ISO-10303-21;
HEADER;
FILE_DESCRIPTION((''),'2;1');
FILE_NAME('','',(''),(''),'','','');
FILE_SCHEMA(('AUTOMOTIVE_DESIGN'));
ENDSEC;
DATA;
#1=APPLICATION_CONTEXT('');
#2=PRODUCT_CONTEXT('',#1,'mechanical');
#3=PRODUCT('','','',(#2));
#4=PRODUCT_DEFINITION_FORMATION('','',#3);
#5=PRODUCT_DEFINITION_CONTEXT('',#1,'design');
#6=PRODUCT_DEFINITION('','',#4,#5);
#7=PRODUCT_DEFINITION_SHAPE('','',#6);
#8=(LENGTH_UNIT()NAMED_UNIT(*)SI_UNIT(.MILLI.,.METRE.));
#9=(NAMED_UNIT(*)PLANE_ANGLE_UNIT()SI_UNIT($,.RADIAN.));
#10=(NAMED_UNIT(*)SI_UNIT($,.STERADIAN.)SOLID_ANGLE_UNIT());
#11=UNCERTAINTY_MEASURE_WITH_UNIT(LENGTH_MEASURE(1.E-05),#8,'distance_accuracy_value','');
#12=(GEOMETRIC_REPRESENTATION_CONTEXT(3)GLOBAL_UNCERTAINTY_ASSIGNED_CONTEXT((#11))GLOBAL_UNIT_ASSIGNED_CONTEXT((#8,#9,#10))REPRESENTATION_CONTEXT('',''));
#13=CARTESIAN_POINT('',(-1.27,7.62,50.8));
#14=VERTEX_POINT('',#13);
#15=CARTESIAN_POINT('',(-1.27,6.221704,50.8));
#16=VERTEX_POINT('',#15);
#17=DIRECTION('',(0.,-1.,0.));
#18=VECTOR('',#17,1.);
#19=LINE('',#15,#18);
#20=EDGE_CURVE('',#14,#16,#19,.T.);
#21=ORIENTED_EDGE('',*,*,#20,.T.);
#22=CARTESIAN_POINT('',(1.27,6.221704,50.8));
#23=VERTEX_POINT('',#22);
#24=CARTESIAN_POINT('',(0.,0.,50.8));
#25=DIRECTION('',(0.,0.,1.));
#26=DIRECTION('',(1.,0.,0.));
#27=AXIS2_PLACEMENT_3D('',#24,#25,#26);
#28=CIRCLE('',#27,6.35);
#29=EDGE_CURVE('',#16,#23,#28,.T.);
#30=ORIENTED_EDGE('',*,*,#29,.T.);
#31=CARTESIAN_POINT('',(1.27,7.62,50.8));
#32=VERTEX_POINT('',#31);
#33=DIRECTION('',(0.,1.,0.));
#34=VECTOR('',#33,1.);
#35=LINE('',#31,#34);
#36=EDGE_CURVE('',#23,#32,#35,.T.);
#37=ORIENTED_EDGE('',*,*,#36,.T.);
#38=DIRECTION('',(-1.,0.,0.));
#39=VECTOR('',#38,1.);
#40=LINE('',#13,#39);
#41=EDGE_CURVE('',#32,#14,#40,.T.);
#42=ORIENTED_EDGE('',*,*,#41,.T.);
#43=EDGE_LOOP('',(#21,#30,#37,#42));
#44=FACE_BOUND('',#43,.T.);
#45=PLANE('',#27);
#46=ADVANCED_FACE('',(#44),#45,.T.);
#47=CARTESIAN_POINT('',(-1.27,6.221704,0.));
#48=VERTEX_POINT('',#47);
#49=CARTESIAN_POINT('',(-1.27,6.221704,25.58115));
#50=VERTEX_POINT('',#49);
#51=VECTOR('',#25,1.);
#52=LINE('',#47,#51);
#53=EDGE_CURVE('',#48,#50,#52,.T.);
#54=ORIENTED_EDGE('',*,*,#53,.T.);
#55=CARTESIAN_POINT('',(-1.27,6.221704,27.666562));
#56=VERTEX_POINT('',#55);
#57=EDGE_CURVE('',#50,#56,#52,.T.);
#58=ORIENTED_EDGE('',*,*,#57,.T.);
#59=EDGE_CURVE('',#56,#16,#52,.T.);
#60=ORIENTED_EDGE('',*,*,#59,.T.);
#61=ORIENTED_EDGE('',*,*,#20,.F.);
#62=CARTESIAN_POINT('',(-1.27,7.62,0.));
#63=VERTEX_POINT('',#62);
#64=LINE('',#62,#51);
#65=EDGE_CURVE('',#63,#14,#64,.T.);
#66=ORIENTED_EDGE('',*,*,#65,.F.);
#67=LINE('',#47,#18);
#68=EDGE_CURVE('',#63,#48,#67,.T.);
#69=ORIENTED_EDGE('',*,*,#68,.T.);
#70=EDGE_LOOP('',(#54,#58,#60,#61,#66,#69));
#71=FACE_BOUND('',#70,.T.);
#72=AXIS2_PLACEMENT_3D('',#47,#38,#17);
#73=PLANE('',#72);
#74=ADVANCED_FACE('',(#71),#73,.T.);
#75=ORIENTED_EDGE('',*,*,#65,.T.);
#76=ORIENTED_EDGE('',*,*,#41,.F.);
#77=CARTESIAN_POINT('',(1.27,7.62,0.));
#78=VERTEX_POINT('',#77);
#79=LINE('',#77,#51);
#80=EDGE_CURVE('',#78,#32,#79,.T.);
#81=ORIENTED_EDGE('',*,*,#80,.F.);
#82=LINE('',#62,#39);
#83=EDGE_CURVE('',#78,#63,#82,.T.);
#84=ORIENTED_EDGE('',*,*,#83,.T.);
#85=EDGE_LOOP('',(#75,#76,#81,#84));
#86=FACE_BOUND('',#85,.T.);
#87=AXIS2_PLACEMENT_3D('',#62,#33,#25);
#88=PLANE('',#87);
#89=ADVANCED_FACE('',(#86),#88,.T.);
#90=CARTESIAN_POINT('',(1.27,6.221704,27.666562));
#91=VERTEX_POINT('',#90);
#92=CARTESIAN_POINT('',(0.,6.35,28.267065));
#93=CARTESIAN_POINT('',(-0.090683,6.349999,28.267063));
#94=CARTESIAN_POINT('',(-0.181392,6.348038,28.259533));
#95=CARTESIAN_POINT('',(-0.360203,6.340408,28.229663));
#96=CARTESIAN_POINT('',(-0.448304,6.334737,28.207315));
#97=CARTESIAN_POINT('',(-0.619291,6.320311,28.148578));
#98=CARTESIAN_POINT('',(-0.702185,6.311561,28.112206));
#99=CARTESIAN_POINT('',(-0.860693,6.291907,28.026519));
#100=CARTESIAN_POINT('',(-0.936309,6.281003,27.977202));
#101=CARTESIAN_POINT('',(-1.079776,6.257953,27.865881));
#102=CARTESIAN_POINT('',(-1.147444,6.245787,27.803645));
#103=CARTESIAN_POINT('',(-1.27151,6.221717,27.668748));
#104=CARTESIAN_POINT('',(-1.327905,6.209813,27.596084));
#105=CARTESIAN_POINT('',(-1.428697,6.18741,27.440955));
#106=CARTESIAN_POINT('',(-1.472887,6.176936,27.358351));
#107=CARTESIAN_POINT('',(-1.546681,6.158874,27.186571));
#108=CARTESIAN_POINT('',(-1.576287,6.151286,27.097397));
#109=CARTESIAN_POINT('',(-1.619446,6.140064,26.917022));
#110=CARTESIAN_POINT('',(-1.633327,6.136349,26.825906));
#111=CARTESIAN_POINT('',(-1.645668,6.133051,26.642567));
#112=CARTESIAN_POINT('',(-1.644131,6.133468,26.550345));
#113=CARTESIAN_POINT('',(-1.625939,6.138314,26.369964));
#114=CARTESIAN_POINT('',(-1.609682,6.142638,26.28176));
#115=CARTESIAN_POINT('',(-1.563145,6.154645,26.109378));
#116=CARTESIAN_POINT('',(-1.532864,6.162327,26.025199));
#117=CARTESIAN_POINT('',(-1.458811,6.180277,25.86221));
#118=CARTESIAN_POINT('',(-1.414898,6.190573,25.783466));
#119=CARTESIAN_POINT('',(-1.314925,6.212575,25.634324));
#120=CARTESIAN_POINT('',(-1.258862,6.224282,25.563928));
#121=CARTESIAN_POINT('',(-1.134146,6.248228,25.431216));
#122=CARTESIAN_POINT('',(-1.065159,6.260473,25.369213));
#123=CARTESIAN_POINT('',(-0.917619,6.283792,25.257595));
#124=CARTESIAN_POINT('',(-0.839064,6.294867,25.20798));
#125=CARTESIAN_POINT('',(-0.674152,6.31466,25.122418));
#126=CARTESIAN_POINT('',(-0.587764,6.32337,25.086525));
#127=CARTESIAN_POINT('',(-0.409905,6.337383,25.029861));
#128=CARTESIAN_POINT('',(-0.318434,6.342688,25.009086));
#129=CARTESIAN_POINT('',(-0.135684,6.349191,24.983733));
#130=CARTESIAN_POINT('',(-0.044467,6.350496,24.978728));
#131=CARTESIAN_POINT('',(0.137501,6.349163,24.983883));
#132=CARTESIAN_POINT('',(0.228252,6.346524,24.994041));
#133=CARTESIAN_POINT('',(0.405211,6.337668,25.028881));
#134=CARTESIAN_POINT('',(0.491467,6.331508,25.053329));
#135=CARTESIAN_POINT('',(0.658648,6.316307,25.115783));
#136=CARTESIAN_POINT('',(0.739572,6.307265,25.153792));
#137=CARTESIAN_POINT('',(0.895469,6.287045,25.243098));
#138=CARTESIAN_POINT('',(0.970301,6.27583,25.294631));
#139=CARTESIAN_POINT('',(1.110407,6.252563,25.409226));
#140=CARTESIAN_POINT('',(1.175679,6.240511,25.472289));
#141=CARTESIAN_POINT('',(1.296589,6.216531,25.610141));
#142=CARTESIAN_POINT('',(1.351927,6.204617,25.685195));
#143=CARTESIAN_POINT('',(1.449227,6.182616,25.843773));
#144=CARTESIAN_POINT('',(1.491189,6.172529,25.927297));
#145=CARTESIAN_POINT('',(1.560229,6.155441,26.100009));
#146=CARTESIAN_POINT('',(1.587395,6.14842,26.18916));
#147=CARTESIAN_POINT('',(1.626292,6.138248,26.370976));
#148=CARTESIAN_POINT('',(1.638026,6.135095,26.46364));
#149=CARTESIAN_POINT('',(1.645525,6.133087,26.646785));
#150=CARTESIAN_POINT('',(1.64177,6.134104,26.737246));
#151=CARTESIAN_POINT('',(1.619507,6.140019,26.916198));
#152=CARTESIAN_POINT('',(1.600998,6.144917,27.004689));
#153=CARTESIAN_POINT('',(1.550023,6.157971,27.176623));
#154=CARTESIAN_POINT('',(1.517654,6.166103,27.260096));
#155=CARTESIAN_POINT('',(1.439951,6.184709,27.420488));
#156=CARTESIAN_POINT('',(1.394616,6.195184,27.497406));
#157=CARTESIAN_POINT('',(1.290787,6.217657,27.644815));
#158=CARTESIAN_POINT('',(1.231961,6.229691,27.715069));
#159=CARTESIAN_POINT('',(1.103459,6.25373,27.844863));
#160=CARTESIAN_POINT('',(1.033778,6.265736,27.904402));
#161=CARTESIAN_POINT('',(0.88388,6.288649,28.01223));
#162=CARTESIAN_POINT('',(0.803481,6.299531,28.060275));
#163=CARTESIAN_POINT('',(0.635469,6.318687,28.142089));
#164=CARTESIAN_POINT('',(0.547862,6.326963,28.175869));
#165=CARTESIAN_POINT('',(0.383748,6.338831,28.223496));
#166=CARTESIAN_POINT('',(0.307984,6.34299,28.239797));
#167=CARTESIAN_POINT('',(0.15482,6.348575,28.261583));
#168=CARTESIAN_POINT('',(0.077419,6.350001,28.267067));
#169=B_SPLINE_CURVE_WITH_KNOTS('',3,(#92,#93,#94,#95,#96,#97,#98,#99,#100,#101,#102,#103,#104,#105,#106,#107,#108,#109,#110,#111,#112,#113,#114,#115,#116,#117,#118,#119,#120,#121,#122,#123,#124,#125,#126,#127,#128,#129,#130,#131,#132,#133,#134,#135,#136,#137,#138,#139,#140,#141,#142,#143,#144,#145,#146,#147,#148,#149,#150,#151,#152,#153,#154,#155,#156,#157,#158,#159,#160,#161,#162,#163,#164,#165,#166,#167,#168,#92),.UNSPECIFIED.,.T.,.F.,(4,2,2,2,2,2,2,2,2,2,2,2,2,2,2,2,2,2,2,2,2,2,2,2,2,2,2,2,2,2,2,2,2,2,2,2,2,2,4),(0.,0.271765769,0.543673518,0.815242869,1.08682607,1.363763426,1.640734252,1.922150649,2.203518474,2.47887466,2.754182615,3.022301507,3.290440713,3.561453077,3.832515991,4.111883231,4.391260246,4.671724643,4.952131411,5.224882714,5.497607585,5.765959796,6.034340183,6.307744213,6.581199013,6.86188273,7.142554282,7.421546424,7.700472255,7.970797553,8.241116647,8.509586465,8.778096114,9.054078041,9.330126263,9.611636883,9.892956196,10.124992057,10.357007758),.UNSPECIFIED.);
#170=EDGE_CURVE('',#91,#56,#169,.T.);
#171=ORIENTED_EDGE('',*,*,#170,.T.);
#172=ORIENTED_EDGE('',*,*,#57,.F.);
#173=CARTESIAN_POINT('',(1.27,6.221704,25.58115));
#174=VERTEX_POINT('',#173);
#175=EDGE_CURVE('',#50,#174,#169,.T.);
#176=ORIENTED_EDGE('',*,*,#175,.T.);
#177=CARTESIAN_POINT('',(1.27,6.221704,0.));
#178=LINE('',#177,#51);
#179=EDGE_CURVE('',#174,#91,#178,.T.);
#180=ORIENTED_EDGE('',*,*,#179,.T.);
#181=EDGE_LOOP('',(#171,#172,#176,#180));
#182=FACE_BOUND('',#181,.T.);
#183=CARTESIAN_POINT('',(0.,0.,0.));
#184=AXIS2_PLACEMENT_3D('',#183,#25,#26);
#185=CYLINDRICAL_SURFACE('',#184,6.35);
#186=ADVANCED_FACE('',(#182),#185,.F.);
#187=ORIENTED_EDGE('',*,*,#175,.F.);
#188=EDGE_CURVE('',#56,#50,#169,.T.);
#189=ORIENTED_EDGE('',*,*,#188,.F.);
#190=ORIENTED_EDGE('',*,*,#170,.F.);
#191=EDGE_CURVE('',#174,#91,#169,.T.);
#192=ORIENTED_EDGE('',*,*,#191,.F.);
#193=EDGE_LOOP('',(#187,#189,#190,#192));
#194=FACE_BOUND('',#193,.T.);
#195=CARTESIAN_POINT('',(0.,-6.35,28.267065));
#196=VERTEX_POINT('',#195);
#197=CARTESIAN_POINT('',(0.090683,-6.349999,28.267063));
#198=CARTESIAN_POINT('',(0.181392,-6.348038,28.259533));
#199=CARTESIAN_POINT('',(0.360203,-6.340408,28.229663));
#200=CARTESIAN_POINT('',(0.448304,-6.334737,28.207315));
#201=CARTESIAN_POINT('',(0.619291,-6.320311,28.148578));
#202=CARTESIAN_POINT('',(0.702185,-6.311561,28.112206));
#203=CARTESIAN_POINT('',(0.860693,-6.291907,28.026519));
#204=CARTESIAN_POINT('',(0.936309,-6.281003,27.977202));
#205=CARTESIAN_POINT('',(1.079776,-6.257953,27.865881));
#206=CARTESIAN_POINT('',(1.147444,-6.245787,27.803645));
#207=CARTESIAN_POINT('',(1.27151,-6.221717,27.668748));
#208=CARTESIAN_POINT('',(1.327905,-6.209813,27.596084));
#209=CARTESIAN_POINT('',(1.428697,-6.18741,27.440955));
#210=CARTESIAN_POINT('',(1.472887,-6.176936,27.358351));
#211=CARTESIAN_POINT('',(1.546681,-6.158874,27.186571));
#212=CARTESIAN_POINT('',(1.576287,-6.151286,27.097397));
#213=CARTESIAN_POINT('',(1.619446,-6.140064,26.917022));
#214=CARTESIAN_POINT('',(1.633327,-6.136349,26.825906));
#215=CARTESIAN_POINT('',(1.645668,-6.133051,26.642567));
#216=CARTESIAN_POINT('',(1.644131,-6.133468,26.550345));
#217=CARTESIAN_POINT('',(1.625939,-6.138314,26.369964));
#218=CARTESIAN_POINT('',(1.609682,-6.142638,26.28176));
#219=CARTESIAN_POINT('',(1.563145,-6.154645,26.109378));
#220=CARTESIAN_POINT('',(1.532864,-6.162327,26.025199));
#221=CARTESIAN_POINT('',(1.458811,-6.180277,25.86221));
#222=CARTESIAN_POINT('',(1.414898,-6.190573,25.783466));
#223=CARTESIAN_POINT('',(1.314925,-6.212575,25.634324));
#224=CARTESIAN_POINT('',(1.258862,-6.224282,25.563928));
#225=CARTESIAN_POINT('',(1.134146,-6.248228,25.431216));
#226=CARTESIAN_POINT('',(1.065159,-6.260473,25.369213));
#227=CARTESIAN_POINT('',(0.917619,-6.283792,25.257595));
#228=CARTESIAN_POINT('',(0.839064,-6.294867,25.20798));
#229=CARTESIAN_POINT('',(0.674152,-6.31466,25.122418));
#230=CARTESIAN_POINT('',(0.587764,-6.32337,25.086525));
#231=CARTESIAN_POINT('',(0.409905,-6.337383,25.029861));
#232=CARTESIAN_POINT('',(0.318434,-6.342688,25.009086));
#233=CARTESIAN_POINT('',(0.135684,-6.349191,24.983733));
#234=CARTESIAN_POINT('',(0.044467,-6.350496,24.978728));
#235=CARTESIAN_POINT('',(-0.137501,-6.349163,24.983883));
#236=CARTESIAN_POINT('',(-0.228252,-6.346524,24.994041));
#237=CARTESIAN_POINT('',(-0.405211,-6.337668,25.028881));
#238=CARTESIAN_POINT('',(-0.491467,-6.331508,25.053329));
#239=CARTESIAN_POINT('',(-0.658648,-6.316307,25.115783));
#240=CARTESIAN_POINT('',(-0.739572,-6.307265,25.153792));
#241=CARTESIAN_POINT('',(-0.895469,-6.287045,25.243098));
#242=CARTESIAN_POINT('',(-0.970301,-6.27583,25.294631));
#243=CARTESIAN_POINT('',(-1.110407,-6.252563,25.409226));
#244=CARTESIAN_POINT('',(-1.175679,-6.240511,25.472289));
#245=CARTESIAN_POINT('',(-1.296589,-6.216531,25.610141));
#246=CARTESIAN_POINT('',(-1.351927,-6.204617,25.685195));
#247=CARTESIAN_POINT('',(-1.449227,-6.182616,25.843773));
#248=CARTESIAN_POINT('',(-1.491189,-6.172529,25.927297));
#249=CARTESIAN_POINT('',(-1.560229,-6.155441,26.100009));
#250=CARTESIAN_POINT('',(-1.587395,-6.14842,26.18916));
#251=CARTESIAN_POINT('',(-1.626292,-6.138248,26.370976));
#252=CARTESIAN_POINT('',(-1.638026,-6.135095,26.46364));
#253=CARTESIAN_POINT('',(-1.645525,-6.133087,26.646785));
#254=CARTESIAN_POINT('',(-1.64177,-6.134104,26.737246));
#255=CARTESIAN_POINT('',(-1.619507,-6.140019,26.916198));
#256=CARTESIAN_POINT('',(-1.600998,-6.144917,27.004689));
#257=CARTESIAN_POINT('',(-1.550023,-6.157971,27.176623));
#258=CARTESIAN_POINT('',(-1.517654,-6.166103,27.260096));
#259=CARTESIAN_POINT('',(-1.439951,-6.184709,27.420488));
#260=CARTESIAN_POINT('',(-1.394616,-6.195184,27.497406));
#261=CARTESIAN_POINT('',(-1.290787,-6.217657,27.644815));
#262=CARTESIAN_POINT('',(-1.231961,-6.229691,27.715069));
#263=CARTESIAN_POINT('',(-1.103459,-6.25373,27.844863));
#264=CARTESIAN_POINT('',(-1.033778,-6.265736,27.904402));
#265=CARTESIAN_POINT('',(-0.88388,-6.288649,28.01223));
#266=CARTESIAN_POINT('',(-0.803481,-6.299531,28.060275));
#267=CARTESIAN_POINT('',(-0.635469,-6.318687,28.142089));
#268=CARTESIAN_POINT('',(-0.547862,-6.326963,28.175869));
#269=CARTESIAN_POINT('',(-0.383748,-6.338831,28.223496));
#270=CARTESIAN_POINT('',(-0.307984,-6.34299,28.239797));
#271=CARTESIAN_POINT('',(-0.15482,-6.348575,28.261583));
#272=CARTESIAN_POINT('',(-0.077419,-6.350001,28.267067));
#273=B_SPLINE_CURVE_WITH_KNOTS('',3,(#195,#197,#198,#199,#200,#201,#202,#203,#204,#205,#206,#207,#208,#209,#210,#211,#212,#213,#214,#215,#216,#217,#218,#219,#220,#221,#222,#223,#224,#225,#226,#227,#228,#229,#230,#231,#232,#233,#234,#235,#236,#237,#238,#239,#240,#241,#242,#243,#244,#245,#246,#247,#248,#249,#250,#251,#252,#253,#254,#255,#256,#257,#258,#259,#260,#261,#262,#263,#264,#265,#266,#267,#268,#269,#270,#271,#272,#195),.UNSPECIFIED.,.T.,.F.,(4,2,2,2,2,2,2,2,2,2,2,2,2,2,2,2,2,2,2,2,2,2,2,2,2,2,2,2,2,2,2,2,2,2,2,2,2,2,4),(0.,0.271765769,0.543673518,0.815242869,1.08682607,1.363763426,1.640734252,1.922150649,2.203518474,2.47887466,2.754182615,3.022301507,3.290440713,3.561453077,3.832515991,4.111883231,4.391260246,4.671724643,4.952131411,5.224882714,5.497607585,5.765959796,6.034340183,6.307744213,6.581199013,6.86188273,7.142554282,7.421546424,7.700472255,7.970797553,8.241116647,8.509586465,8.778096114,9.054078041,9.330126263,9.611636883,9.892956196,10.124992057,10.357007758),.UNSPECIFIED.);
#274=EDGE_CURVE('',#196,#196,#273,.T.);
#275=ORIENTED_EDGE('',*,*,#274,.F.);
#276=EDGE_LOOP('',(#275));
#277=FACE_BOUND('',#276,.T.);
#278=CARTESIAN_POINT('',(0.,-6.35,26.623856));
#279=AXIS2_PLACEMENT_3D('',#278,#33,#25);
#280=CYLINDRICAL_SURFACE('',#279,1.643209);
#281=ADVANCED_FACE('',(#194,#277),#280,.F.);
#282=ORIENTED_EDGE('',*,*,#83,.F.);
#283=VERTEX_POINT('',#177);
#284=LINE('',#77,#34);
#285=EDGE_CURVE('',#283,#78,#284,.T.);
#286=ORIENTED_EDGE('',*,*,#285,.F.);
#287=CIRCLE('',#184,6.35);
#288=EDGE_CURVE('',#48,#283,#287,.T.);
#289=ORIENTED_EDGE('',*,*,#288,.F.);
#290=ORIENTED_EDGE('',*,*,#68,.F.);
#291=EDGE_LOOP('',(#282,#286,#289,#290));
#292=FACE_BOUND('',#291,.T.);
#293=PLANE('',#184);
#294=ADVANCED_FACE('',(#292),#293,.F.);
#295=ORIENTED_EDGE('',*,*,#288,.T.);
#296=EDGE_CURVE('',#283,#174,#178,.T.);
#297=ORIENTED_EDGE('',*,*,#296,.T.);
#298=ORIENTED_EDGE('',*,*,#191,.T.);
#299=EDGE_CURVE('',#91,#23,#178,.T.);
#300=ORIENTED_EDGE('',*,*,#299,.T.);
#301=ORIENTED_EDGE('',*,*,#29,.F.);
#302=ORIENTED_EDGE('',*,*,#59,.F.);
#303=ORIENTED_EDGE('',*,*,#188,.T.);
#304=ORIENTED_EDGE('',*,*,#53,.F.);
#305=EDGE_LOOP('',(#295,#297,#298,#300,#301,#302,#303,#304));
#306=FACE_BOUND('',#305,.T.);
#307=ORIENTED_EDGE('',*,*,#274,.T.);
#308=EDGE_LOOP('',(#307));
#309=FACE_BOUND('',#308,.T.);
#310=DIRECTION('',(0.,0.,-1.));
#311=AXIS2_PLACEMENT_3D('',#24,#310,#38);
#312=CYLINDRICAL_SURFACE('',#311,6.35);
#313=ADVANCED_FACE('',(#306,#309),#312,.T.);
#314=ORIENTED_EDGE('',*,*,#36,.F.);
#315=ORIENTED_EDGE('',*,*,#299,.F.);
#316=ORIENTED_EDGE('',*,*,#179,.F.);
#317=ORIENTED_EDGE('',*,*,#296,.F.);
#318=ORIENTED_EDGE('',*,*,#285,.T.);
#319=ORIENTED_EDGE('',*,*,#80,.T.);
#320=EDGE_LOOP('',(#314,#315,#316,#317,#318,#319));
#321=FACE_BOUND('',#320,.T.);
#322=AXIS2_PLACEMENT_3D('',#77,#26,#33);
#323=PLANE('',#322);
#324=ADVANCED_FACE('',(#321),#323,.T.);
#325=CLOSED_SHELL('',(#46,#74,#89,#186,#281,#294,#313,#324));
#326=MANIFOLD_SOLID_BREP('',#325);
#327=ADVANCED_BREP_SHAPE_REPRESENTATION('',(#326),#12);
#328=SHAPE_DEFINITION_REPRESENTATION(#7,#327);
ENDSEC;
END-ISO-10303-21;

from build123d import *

# Parameters (mm, degrees)
SKETCH1_R               = 6.35
BOSS_EXTRUDE1_DEPTH     = 50.8
CUT_EXTRUDE1_DEPTH      = 52.587643869
CUT_EXTRUDE1_DEPTH_BACK = 52.587643869
SKETCH2_R               = 1.643209115
BOSS_EXTRUDE2_START     = -50.8
BOSS_EXTRUDE2_DEPTH     = 50.8


with BuildPart() as part:
    # Sketch1 → Boss-Extrude1 (new body)
    with BuildSketch(Plane.XY):
        Circle(SKETCH1_R)
    extrude(amount=BOSS_EXTRUDE1_DEPTH)

    # Sketch2 → Cut-Extrude1 (cut, two sides: drawn at the far end of the back side and taken through both)
    with BuildSketch(Plane(origin=(0, 0, 0), x_dir=(1, 0, 0), z_dir=(0, 1, 0)).offset(-CUT_EXTRUDE1_DEPTH_BACK)):
        with Locations(Location((0, -26.623855977, 0), (0, 0, 270))):
            Circle(SKETCH2_R)
    extrude(amount=CUT_EXTRUDE1_DEPTH + CUT_EXTRUDE1_DEPTH_BACK, mode=Mode.SUBTRACT)

    # Sketch4 → Boss-Extrude2 (add)
    with BuildSketch(Plane.XY.offset(50.8).offset(BOSS_EXTRUDE2_START)):
        with BuildLine():
            Line((-1.27, 6.221703947), (-1.27, 7.62))
            Line((-1.27, 7.62), (1.27, 7.62))
            Line((1.27, 7.62), (1.27, 6.221703947))
            ThreePointArc((1.27, 6.221703947), (0, 6.35), (-1.27, 6.221703947))
        make_face()
    extrude(amount=BOSS_EXTRUDE2_DEPTH)


solid = part.part
